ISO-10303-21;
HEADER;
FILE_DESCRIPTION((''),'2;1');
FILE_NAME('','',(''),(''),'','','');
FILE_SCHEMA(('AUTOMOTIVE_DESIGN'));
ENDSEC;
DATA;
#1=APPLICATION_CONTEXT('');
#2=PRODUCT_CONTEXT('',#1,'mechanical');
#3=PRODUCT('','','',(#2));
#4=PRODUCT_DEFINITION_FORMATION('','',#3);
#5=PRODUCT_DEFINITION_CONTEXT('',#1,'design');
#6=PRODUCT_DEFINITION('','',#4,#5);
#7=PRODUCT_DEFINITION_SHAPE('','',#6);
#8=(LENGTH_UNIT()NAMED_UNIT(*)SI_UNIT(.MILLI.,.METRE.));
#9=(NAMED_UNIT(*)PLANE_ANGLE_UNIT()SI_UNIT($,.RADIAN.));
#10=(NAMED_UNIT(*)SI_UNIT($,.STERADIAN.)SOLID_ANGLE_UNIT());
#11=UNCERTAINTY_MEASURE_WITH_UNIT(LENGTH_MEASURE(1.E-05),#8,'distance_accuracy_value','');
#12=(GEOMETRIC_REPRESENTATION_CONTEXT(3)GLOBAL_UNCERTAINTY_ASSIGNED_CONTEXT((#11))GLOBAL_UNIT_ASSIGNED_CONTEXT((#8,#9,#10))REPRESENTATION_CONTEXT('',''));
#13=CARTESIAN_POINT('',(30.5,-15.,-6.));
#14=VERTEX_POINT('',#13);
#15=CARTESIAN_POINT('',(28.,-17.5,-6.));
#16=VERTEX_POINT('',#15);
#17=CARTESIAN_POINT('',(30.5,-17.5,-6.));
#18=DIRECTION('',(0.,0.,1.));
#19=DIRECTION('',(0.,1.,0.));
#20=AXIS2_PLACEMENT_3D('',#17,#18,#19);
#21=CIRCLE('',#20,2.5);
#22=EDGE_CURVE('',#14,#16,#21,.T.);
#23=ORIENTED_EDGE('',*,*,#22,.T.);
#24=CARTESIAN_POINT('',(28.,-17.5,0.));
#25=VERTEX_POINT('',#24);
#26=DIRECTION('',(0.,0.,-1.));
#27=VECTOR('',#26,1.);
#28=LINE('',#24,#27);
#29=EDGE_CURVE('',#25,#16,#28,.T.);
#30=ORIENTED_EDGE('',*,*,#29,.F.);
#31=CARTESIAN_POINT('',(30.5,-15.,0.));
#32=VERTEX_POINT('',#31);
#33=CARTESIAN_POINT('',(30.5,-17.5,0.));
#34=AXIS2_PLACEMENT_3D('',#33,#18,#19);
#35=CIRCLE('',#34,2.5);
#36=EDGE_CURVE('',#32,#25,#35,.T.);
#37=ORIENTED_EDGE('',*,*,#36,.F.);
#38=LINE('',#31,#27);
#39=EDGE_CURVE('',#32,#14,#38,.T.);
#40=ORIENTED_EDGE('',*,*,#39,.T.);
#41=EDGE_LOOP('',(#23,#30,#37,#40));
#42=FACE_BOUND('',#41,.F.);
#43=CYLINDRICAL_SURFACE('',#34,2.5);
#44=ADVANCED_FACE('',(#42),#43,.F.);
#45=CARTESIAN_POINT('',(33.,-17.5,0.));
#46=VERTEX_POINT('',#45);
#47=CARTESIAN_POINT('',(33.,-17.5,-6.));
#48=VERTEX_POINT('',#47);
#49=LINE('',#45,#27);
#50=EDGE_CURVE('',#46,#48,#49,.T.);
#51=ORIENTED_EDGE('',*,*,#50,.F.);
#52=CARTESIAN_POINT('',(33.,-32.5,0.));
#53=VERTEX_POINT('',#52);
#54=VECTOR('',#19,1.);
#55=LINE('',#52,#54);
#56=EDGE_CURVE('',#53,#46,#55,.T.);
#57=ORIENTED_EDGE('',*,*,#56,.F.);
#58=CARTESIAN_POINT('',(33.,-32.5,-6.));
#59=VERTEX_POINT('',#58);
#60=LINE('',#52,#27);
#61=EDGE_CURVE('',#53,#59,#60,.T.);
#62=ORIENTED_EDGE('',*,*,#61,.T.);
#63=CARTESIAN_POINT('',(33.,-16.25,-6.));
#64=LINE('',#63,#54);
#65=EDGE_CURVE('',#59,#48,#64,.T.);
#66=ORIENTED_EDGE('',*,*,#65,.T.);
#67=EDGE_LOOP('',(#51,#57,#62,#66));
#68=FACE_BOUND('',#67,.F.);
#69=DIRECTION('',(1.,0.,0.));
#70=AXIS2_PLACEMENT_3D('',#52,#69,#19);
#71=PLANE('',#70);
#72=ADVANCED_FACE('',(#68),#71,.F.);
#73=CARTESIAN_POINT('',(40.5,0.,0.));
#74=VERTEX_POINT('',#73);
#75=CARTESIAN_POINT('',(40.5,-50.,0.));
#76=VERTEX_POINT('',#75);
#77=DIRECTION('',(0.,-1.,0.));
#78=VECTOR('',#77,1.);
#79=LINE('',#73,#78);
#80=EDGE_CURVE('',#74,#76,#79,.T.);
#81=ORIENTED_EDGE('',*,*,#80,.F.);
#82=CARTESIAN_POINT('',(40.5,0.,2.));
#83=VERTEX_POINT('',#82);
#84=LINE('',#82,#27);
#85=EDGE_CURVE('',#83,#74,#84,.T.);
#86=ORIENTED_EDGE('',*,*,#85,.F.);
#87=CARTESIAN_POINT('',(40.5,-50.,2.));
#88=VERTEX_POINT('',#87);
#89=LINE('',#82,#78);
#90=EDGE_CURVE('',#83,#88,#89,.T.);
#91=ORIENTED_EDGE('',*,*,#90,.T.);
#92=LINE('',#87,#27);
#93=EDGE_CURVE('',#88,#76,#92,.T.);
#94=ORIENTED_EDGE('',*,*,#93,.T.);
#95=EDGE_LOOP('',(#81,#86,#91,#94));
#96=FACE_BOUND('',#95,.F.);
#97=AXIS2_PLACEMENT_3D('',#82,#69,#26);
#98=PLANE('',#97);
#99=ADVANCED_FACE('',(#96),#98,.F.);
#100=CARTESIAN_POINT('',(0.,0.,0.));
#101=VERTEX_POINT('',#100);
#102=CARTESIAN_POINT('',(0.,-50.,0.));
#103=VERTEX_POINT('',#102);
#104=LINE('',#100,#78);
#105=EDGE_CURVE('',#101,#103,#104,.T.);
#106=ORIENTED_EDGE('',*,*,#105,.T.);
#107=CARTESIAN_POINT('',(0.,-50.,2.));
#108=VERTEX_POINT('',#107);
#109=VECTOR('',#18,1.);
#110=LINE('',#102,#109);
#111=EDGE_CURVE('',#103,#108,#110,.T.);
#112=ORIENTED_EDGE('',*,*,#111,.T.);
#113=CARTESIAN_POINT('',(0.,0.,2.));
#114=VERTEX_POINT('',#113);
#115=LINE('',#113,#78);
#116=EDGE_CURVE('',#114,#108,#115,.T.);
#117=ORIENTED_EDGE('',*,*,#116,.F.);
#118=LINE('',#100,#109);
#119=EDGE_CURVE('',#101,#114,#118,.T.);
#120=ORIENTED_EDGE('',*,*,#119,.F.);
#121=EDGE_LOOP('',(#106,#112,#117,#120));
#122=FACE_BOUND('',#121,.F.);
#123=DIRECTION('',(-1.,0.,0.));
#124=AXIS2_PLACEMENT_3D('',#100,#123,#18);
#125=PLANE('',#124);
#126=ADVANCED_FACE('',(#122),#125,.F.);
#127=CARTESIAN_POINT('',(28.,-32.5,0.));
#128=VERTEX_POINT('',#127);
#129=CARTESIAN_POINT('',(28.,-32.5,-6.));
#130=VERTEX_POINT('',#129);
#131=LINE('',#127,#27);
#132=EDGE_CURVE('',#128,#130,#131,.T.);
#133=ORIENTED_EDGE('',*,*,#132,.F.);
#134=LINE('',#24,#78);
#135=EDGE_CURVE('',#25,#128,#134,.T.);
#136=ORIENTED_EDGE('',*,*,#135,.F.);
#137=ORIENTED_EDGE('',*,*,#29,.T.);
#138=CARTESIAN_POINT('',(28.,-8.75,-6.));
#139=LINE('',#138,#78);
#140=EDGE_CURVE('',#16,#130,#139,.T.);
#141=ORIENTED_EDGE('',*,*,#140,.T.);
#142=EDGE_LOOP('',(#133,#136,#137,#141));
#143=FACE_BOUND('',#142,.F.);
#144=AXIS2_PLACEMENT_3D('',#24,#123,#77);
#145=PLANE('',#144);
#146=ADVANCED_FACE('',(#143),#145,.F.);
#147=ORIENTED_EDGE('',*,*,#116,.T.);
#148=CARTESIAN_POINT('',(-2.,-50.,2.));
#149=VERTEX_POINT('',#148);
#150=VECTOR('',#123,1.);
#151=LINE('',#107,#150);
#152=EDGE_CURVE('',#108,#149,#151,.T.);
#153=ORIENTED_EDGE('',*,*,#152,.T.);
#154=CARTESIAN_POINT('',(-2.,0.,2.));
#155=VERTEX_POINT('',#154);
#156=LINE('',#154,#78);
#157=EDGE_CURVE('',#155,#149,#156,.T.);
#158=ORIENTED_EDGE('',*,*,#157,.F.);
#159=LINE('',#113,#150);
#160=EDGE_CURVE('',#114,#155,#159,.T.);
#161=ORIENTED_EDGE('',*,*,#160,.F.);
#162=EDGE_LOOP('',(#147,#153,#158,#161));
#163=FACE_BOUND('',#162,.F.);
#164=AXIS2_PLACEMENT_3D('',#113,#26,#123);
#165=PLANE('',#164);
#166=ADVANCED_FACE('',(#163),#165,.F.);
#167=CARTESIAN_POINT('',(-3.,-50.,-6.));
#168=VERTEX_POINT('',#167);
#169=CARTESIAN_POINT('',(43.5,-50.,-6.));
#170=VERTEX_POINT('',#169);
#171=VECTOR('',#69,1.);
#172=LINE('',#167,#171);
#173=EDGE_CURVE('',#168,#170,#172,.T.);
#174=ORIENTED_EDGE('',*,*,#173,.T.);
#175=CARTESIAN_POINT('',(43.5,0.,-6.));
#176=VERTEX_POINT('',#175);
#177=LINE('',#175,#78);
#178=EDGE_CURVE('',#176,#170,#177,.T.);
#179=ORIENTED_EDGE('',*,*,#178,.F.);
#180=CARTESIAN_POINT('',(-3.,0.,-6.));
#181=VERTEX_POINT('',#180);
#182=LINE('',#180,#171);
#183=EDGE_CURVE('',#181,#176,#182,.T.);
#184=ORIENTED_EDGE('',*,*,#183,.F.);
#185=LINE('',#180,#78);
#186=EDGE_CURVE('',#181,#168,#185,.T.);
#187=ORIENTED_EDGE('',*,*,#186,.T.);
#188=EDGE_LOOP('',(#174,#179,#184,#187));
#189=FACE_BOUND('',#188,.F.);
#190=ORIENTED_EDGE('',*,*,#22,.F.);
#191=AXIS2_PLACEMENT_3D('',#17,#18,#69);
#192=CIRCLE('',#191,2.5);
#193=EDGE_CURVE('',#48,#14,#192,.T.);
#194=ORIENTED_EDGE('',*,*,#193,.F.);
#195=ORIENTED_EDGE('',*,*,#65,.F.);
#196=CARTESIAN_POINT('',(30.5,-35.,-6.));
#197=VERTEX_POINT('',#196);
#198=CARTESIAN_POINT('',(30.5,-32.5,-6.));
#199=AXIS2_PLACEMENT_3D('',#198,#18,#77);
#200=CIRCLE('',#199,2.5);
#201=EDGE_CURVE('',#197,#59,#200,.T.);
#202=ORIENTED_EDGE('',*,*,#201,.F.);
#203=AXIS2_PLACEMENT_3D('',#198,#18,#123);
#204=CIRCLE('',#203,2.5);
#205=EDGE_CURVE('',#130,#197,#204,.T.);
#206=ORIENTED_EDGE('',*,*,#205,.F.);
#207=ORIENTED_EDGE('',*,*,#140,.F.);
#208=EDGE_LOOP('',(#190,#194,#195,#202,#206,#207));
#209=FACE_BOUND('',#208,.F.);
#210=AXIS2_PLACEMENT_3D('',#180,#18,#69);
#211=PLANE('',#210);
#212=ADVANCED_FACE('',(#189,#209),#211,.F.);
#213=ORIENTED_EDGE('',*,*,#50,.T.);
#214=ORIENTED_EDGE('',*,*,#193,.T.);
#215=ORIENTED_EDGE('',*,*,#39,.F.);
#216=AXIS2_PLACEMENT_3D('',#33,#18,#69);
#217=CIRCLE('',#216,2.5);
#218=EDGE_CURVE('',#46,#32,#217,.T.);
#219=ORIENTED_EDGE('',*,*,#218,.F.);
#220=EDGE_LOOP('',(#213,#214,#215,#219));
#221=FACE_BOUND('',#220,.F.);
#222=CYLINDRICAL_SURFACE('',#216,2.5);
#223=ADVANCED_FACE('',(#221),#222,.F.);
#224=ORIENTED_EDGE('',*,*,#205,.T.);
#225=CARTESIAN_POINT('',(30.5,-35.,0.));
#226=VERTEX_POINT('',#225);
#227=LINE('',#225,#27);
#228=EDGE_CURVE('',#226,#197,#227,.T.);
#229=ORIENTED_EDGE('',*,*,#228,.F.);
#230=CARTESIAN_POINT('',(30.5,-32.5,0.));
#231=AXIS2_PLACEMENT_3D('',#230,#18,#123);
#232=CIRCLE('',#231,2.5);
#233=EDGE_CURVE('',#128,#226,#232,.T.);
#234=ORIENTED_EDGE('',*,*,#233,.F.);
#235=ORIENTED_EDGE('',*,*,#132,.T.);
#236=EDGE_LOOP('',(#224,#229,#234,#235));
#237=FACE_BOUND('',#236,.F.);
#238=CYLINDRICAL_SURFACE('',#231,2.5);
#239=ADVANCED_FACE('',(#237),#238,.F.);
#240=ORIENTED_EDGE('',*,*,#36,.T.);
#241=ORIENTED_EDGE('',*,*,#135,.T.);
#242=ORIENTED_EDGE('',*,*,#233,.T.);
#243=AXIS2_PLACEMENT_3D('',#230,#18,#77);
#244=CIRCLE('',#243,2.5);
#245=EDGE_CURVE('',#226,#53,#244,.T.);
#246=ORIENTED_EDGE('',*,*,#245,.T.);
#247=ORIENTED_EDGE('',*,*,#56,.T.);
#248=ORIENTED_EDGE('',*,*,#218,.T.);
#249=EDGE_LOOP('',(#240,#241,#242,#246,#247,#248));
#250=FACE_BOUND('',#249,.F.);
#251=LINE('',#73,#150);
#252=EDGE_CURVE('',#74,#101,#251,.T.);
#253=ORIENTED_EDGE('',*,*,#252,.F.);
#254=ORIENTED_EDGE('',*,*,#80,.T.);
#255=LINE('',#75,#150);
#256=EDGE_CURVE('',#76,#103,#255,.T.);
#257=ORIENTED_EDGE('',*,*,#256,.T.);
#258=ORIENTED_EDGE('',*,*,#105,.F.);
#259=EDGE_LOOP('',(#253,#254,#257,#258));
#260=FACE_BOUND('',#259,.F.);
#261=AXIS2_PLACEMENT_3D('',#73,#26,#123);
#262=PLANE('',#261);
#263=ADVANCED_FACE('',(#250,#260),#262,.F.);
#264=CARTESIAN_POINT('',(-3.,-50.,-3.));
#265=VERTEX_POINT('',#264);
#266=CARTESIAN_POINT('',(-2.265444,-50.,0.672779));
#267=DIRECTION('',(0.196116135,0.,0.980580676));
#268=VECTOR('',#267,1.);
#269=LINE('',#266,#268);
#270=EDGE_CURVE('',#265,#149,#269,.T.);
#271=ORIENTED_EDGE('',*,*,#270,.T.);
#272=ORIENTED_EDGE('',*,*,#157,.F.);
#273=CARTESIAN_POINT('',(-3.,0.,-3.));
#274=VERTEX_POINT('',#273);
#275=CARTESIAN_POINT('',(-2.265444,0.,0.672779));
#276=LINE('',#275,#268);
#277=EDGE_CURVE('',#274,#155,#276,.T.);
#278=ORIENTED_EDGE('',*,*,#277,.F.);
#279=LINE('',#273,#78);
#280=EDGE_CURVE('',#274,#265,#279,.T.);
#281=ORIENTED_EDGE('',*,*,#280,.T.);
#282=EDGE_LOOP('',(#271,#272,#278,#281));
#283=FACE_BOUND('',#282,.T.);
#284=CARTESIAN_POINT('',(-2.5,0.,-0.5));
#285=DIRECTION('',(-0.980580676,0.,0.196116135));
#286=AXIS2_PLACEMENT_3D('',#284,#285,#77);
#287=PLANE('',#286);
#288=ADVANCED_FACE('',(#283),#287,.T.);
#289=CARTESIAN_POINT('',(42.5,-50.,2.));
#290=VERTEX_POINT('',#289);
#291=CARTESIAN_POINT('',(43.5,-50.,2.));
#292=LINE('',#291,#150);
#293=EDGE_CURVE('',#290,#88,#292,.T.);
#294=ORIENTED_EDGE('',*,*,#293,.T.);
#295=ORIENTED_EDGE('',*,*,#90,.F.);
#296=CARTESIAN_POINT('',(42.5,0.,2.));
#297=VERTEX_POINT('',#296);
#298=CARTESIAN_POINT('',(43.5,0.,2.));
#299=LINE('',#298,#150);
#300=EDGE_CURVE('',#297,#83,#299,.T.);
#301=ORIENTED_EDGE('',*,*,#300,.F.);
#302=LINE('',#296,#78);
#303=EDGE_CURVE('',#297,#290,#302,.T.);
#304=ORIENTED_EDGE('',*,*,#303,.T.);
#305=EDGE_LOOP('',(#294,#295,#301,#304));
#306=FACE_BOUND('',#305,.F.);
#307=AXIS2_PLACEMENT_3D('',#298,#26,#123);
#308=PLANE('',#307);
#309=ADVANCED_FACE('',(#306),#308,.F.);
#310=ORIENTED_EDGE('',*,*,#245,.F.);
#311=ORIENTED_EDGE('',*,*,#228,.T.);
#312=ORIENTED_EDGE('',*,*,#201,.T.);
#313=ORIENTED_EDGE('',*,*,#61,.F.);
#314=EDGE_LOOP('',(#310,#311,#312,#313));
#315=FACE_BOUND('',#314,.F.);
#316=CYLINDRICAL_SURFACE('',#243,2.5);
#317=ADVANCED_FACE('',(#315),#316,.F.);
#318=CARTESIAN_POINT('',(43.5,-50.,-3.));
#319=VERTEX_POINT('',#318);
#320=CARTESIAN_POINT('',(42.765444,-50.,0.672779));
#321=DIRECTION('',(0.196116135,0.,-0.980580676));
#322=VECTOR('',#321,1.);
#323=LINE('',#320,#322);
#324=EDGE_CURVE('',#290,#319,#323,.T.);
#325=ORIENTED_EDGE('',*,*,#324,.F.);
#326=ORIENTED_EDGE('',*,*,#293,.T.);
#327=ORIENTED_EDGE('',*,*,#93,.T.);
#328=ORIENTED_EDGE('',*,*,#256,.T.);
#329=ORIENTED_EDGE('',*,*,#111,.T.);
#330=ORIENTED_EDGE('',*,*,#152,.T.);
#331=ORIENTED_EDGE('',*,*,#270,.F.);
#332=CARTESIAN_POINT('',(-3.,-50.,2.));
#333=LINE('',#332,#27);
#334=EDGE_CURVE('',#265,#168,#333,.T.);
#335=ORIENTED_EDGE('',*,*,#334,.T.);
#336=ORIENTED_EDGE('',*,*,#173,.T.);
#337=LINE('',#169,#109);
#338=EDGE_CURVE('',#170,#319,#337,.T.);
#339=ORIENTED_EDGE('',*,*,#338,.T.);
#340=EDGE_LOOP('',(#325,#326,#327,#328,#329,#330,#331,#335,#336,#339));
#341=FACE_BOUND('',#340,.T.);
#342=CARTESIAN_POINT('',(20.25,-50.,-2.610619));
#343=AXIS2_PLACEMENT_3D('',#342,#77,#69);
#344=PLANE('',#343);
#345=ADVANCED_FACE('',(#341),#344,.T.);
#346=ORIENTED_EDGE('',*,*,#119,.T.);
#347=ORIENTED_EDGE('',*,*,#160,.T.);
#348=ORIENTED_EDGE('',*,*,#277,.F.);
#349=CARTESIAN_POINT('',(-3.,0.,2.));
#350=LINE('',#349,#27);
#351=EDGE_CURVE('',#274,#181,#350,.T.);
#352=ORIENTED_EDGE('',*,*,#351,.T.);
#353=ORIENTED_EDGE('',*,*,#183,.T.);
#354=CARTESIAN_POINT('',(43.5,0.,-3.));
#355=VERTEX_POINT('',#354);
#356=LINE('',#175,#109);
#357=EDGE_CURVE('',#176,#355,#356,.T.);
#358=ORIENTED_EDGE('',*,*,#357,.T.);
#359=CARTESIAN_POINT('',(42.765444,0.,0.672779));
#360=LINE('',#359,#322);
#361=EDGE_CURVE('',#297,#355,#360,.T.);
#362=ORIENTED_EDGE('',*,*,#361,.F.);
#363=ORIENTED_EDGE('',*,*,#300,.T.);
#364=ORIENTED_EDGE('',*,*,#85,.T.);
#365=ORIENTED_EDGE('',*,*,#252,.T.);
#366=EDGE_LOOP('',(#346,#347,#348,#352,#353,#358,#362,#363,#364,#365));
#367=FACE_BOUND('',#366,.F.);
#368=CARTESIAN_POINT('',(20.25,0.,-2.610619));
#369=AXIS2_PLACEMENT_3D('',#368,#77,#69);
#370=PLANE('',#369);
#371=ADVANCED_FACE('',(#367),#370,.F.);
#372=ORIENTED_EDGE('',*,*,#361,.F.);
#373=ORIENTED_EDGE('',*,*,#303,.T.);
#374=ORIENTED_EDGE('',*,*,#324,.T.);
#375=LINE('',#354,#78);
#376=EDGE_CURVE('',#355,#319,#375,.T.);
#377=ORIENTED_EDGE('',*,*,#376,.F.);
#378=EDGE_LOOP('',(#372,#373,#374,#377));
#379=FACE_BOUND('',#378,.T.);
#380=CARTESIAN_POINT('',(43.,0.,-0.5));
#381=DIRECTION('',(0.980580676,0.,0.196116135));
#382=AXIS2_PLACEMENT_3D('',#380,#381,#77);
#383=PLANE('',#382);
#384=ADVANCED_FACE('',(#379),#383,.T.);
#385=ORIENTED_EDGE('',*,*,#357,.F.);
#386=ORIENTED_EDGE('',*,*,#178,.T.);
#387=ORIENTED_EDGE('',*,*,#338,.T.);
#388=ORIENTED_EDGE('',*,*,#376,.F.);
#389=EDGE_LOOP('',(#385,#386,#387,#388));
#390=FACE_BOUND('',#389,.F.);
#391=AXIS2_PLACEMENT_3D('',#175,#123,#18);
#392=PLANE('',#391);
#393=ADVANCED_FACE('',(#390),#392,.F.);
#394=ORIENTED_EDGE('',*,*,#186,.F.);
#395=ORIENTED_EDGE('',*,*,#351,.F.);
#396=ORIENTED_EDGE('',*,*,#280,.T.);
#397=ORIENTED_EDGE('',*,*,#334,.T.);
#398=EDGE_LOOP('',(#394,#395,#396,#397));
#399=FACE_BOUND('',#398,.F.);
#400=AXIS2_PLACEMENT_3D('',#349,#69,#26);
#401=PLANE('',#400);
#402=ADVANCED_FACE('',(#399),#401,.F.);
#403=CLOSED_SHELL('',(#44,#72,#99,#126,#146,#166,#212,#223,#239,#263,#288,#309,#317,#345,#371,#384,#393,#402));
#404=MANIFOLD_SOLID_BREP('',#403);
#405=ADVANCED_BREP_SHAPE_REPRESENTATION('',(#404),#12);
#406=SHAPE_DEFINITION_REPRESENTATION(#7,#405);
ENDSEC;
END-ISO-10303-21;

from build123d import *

# Parameters (mm, degrees)
F1_DEPTH = 50
F2_SIZE2 = 1
F2_SIZE  = 5
F3_SIZE2 = 5
F3_SIZE  = 1
F5_DEPTH = 25


with BuildPart() as f1:
    # F0 (on Front) → F1 (new body)
    with BuildSketch(Plane.XZ):
        Polygon((40.5, 0), (0, 0), (0, 2), (-3, 2), (-3, -6), (0, -6), (40.5, -6), (43.5, -6), (43.5, 2), (40.5, 2), align=None)
    extrude(amount=F1_DEPTH)

    # F2
    f2_edges = [f1.edges().sort_by_distance(p)[0] for p in [
        (-3, -25, 2),
    ]]
    f2_side = f1.faces().sort_by_distance((-3, -25, -2))[0]
    chamfer(f2_edges, length=F2_SIZE, length2=F2_SIZE2, reference=f2_side)

    # F3
    f3_edges = [f1.edges().sort_by_distance(p)[0] for p in [
        (43.5, -25, 2),
    ]]
    f3_side = f1.faces().sort_by_distance((42, -25, 2))[0]
    chamfer(f3_edges, length=F3_SIZE, length2=F3_SIZE2, reference=f3_side)

    # F4 (on face) → F5 (cut)
    with BuildSketch(Plane.XY):
        with BuildLine():
            ThreePointArc((30.5, -35), (32.267766953, -34.267766953), (33, -32.5))
            Line((33, -32.5), (33, -17.5))
            ThreePointArc((33, -17.5), (32.267766953, -15.732233047), (30.5, -15))
            ThreePointArc((30.5, -15), (28.732233047, -15.732233047), (28, -17.5))
            Line((28, -17.5), (28, -32.5))
            ThreePointArc((28, -32.5), (28.732233047, -34.267766953), (30.5, -35))
        make_face()
    extrude(amount=-F5_DEPTH, mode=Mode.SUBTRACT)


solid = f1.part
